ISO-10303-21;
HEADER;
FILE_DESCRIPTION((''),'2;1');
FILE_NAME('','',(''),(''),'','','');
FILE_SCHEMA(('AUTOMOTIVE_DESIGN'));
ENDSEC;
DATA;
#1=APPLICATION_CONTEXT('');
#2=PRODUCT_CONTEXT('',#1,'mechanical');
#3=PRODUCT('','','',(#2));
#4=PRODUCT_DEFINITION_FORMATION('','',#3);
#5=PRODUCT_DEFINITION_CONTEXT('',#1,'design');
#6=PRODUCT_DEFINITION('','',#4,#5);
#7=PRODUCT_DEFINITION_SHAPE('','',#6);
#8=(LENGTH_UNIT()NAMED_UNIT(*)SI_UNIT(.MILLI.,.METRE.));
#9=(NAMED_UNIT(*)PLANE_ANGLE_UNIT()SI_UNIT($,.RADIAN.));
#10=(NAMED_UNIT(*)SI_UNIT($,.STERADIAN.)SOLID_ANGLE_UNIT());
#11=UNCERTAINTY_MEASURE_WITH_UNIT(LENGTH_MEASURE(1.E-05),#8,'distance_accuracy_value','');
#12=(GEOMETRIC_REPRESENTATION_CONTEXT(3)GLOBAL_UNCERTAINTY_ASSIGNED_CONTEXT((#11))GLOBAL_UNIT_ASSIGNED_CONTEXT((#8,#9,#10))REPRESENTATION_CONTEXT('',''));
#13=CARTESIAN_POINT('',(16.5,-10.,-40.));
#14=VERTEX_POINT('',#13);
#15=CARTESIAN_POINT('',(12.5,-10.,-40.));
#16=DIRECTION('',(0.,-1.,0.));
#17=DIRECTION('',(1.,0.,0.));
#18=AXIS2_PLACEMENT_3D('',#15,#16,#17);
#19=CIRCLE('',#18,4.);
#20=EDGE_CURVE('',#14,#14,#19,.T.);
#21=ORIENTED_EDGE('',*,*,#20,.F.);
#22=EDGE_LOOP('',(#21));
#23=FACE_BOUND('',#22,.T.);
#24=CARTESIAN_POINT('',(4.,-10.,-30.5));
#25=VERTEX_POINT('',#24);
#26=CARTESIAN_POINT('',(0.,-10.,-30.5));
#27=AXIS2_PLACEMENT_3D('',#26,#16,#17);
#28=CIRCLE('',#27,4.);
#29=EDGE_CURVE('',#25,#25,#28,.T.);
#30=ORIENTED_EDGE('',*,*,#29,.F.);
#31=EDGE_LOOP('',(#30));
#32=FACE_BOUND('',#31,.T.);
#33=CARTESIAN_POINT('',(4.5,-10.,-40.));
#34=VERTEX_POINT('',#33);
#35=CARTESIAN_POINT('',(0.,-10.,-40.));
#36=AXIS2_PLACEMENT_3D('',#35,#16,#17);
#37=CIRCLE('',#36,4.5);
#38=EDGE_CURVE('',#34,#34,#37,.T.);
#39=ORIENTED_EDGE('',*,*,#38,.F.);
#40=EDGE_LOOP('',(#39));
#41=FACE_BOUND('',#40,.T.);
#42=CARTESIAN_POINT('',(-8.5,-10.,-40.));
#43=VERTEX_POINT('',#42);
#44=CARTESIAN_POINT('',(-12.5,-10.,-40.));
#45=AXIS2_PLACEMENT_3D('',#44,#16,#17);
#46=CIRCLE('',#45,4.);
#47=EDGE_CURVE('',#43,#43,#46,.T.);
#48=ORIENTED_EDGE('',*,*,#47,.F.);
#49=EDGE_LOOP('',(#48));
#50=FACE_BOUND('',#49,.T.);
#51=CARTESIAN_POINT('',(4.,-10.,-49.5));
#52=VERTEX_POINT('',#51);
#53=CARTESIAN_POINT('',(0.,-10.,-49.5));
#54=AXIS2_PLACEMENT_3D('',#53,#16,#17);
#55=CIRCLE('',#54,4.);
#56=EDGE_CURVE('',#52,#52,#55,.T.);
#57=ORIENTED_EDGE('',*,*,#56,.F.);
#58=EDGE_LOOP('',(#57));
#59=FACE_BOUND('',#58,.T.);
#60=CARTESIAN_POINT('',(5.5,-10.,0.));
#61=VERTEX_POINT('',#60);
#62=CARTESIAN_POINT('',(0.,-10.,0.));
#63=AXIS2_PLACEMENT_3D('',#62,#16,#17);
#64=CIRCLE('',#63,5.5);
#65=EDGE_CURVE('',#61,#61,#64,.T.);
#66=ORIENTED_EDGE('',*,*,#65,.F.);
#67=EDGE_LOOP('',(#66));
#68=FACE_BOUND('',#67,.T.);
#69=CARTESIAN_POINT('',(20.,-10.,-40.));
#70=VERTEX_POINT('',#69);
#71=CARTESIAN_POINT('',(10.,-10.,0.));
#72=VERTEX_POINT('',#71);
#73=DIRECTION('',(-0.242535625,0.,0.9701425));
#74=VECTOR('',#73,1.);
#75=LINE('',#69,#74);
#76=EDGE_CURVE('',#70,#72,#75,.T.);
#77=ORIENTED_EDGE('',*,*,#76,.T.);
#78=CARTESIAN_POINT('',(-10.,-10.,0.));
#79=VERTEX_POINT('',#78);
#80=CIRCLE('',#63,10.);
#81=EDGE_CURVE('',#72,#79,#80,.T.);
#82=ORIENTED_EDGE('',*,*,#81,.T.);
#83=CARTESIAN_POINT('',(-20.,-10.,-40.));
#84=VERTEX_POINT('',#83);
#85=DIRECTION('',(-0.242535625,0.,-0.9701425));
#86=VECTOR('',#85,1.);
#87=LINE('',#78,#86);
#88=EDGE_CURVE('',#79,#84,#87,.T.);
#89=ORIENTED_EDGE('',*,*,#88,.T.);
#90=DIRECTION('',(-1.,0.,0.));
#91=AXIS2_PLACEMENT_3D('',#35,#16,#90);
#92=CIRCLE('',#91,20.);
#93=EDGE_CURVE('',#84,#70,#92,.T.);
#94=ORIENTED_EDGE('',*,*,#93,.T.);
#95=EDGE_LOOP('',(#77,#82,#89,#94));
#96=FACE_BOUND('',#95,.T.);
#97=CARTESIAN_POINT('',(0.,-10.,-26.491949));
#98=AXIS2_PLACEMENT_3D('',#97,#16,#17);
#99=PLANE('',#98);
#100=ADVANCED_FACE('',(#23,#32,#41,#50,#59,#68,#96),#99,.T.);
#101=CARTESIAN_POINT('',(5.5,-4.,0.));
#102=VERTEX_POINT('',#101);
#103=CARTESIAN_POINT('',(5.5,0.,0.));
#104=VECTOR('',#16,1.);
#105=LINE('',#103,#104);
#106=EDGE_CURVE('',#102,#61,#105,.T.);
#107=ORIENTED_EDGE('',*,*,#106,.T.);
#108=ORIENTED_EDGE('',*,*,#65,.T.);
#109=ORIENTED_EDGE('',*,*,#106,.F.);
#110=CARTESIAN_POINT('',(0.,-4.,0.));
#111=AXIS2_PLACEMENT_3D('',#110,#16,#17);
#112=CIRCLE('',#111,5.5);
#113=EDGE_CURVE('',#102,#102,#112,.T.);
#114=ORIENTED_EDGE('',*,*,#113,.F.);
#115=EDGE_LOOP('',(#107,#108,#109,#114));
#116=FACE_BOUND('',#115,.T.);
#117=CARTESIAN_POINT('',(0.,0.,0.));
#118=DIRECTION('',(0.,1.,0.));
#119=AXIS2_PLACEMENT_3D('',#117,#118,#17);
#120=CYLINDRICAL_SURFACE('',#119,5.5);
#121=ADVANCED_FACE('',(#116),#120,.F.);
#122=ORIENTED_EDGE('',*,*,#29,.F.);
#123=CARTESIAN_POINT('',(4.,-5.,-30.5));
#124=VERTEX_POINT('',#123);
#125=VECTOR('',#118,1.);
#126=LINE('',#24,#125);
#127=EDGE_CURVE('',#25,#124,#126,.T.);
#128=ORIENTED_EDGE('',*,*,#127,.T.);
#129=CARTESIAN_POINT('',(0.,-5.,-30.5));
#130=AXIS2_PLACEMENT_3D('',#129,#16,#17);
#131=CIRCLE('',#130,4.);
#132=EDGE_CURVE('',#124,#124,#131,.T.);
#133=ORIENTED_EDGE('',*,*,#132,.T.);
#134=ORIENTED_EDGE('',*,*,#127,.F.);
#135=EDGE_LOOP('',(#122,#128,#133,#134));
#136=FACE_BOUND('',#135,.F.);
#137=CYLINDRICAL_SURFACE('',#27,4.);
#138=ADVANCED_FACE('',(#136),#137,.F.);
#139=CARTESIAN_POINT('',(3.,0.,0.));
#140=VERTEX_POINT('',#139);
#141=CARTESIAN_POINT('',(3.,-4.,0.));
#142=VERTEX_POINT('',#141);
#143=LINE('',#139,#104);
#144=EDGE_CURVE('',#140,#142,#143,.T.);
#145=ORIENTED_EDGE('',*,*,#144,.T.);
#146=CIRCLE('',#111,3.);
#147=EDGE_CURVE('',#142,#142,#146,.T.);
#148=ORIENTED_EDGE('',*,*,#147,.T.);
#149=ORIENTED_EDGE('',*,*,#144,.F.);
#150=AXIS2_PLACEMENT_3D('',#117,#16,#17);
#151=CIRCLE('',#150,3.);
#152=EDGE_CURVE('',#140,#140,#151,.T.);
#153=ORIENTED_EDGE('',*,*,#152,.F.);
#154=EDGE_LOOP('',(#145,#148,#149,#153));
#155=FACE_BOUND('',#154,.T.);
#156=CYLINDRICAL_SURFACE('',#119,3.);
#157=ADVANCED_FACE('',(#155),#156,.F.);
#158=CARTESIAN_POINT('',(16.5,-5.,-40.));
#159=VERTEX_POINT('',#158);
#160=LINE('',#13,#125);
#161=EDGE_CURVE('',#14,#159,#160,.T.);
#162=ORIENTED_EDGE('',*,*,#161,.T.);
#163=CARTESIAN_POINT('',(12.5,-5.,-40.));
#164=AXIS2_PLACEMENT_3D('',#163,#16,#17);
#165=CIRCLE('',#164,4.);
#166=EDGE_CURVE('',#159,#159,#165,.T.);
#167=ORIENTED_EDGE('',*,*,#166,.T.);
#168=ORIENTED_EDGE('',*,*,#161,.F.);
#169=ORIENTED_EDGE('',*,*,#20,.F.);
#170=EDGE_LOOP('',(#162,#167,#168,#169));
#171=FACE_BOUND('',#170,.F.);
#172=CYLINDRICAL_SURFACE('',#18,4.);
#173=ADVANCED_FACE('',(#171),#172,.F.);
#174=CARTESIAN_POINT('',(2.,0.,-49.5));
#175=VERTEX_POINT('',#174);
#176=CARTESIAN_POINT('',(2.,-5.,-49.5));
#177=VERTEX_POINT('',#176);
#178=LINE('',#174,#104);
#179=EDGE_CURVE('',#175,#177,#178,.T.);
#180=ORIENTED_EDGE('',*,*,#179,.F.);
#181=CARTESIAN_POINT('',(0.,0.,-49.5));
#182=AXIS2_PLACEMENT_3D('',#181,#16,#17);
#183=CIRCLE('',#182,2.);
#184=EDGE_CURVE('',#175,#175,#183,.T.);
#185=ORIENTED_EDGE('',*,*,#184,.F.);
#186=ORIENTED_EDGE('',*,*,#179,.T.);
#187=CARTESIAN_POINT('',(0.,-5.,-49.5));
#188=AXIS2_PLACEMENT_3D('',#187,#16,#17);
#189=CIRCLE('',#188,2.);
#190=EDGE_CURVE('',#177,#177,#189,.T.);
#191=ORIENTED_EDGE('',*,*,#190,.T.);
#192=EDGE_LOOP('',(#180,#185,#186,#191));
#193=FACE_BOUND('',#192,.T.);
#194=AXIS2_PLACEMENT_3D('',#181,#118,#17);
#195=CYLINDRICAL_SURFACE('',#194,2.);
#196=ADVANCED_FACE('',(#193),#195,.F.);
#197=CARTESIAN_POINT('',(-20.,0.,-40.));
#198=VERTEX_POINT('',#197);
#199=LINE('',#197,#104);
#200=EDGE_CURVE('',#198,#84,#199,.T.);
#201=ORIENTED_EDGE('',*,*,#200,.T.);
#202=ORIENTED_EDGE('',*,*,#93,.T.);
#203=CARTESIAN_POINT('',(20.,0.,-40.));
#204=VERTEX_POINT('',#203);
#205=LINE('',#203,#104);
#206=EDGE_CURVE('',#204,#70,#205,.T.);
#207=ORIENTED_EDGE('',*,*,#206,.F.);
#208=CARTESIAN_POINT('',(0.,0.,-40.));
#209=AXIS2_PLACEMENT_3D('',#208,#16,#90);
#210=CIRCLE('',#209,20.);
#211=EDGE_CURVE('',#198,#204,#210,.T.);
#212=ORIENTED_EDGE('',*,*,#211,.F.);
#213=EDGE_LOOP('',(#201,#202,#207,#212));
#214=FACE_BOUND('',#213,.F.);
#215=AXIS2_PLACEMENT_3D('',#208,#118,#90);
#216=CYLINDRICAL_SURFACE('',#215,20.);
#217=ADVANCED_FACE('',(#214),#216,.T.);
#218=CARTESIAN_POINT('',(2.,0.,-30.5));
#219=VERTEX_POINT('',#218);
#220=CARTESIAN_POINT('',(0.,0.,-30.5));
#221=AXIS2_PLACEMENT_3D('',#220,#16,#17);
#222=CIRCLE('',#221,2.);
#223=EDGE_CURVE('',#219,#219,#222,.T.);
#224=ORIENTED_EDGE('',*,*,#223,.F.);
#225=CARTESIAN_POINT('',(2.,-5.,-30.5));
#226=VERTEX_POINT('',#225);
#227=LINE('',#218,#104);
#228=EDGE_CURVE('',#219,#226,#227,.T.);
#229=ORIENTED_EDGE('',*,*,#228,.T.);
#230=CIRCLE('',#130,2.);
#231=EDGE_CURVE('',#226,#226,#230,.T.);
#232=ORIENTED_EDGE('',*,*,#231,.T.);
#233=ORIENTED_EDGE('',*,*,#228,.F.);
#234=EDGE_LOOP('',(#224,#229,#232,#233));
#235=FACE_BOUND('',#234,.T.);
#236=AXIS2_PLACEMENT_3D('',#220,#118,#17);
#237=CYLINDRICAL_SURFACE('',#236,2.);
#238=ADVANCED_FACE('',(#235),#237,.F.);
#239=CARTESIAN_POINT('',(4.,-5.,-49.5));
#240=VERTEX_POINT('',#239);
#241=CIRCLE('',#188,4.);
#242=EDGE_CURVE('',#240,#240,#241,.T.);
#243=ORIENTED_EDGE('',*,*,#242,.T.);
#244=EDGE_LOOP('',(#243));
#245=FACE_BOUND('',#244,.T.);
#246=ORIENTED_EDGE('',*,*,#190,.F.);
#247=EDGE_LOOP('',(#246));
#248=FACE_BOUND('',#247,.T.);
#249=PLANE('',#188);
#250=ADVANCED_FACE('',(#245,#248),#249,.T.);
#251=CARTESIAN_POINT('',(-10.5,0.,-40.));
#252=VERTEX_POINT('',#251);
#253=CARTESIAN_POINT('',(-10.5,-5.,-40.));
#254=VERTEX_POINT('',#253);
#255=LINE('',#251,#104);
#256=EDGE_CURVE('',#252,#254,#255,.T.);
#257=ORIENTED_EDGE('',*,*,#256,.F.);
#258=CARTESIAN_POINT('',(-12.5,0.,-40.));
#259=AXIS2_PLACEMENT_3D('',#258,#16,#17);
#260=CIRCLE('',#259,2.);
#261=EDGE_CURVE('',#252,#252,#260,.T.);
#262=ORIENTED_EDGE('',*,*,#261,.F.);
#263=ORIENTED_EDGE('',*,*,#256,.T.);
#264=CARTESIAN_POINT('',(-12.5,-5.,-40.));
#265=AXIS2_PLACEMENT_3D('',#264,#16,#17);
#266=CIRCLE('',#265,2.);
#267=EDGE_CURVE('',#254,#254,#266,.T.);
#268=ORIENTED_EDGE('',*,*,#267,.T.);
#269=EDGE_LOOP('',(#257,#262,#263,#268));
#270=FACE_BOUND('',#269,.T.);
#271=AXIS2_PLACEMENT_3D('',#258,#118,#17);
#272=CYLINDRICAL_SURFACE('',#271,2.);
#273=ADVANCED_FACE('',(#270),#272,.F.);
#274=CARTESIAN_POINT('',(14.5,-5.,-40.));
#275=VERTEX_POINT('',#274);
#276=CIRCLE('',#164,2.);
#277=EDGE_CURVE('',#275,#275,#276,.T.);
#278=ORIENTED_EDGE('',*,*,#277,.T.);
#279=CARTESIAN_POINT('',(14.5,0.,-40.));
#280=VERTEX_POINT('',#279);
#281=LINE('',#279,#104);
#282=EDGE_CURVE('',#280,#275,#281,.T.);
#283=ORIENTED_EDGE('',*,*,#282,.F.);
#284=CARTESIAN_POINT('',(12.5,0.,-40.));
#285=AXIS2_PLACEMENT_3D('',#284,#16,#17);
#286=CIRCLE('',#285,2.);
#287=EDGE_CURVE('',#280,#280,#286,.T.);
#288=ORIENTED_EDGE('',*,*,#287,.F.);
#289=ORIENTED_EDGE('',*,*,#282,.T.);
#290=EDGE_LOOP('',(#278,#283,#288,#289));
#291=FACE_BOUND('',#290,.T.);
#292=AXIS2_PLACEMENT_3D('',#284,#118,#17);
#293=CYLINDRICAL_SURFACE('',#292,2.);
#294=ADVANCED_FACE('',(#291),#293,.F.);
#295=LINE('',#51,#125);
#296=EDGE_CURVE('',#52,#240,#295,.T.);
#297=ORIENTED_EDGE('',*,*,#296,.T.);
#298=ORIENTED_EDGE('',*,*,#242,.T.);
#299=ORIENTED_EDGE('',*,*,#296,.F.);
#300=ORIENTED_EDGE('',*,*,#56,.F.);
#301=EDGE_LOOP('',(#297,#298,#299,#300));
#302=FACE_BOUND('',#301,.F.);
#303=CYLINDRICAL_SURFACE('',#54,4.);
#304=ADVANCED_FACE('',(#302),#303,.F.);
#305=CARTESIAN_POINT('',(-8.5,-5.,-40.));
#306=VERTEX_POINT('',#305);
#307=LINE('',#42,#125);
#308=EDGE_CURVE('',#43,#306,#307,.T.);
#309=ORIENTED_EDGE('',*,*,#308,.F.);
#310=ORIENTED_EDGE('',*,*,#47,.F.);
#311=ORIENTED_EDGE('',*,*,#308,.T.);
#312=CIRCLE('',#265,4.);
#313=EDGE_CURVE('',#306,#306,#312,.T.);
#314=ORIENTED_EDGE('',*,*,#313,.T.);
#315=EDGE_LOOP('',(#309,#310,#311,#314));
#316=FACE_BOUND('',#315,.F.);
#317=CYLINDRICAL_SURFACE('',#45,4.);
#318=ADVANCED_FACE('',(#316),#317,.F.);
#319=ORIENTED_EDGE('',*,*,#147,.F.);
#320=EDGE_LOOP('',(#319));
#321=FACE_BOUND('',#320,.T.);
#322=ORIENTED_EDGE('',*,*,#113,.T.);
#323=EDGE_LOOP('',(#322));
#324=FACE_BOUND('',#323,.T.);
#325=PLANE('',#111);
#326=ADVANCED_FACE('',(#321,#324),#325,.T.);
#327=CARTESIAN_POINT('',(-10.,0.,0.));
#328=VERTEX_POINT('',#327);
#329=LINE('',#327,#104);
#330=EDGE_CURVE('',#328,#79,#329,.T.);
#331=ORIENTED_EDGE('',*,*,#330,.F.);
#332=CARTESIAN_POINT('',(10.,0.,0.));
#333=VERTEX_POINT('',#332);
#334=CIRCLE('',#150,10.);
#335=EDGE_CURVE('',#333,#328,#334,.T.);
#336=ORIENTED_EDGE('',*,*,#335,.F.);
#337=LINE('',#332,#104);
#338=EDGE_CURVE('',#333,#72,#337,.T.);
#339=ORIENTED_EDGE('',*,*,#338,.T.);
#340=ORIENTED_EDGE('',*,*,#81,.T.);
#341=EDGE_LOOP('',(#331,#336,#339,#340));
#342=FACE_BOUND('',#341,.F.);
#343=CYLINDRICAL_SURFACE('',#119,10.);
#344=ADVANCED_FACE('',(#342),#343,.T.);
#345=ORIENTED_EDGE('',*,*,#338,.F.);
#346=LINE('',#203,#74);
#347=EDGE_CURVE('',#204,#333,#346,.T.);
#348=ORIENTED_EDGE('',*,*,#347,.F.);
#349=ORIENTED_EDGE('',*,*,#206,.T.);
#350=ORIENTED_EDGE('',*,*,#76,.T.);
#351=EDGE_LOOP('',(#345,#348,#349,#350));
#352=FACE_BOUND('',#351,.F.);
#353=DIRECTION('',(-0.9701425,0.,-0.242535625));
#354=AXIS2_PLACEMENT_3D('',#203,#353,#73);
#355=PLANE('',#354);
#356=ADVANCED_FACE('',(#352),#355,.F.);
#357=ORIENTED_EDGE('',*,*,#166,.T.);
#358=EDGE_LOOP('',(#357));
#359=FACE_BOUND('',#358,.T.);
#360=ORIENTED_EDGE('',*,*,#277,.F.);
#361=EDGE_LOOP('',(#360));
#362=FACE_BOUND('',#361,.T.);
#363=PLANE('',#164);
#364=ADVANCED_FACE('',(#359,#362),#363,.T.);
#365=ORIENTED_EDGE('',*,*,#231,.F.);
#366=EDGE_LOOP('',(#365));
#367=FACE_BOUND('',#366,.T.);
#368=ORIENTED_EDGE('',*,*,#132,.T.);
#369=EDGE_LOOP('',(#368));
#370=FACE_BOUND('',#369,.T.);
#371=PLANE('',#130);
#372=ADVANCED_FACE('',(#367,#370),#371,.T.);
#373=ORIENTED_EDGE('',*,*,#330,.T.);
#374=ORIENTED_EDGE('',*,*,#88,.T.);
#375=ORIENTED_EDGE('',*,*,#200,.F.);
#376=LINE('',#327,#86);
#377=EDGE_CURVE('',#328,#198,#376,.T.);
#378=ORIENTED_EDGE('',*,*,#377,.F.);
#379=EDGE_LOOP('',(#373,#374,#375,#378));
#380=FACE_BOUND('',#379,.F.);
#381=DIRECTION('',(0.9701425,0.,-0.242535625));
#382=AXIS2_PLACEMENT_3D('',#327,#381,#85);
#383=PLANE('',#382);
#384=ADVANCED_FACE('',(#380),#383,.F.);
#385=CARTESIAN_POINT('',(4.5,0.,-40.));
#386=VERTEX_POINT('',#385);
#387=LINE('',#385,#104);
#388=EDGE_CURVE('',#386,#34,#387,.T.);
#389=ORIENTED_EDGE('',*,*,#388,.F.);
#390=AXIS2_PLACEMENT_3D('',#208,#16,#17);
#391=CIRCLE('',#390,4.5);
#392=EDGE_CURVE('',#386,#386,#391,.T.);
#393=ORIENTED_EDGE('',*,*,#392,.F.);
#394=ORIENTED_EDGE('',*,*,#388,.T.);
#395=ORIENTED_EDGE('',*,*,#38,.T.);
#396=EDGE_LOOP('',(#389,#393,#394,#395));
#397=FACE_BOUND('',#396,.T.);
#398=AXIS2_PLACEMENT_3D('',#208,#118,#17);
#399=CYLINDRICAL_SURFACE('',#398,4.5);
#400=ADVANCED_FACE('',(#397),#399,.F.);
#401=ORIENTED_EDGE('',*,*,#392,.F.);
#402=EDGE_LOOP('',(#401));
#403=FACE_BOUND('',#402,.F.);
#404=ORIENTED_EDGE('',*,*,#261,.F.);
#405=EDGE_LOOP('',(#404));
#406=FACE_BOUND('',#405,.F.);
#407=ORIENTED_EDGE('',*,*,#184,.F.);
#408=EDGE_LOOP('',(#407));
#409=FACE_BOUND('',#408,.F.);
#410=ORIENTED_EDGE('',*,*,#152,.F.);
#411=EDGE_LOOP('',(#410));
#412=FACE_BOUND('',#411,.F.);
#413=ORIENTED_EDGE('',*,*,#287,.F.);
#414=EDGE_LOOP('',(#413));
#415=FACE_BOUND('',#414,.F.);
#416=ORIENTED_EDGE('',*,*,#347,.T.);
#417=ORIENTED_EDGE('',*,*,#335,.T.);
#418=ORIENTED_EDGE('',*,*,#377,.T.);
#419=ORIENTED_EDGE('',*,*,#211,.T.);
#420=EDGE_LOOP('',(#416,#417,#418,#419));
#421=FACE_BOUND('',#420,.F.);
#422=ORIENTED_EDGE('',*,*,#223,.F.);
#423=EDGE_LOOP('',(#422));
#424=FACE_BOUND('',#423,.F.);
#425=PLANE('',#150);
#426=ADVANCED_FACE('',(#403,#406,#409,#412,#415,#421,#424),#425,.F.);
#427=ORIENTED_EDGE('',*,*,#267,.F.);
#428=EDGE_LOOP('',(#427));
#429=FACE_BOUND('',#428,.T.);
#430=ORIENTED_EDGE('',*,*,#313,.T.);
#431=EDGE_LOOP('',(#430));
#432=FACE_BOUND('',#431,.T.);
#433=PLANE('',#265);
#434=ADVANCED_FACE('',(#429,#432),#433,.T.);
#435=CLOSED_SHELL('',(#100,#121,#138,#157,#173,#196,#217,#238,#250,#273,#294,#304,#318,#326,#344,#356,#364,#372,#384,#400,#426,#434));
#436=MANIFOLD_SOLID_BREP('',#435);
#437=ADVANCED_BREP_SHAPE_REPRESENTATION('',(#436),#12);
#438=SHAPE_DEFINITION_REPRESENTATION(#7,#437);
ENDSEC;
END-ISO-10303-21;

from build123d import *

# Parameters (mm, degrees)
F0_R     = 2
F0_R_2   = 4.5
F0_R_3   = 5.5
F1_DEPTH = 10
F0_R_4   = 3
F2_DEPTH = 4
F3_R     = 4
F3_R_2   = 2
F4_DEPTH = 5


with BuildPart() as f1:
    # F0 (on Front) → F1 (new body)
    with BuildSketch(Plane.XZ):
        with BuildLine():
            Line((20, -40), (10, 0))
            ThreePointArc((10, 0), (0, 10), (-10, 0))
            Line((-10, 0), (-20, -40))
            ThreePointArc((-20, -40), (0, -60), (20, -40))
        make_face()
        with Locations((-12.5, -40)):
            Circle(F0_R, mode=Mode.SUBTRACT)
        with Locations((0, -49.5)):
            Circle(F0_R, mode=Mode.SUBTRACT)
        with Locations((0, -40)):
            Circle(F0_R_2, mode=Mode.SUBTRACT)
        with Locations((0, -30.5)):
            Circle(F0_R, mode=Mode.SUBTRACT)
        with Locations((12.5, -40)):
            Circle(F0_R, mode=Mode.SUBTRACT)
        Circle(F0_R_3, mode=Mode.SUBTRACT)
    extrude(amount=F1_DEPTH)

    # F0 (on Front) → F2 (join)
    with BuildSketch(Plane.XZ):
        Circle(F0_R_3)
        Circle(F0_R_4, mode=Mode.SUBTRACT)
    extrude(amount=F2_DEPTH)

    # F3 (on face) → F4 (cut)
    with BuildSketch(Plane.XZ.offset(10)):
        with Locations((0, -30.5)):
            Circle(F3_R)
        with Locations((0, -30.5)):
            Circle(F3_R_2, mode=Mode.SUBTRACT)
        with Locations((-12.5, -40)):
            Circle(F3_R)
        with Locations((-12.5, -40)):
            Circle(F3_R_2, mode=Mode.SUBTRACT)
        with Locations((0, -49.5)):
            Circle(F3_R)
        with Locations((0, -49.5)):
            Circle(F3_R_2, mode=Mode.SUBTRACT)
        with Locations((12.5, -40)):
            Circle(F3_R)
        with Locations((12.5, -40)):
            Circle(F3_R_2, mode=Mode.SUBTRACT)
    extrude(amount=-F4_DEPTH, mode=Mode.SUBTRACT)


solid = f1.part
